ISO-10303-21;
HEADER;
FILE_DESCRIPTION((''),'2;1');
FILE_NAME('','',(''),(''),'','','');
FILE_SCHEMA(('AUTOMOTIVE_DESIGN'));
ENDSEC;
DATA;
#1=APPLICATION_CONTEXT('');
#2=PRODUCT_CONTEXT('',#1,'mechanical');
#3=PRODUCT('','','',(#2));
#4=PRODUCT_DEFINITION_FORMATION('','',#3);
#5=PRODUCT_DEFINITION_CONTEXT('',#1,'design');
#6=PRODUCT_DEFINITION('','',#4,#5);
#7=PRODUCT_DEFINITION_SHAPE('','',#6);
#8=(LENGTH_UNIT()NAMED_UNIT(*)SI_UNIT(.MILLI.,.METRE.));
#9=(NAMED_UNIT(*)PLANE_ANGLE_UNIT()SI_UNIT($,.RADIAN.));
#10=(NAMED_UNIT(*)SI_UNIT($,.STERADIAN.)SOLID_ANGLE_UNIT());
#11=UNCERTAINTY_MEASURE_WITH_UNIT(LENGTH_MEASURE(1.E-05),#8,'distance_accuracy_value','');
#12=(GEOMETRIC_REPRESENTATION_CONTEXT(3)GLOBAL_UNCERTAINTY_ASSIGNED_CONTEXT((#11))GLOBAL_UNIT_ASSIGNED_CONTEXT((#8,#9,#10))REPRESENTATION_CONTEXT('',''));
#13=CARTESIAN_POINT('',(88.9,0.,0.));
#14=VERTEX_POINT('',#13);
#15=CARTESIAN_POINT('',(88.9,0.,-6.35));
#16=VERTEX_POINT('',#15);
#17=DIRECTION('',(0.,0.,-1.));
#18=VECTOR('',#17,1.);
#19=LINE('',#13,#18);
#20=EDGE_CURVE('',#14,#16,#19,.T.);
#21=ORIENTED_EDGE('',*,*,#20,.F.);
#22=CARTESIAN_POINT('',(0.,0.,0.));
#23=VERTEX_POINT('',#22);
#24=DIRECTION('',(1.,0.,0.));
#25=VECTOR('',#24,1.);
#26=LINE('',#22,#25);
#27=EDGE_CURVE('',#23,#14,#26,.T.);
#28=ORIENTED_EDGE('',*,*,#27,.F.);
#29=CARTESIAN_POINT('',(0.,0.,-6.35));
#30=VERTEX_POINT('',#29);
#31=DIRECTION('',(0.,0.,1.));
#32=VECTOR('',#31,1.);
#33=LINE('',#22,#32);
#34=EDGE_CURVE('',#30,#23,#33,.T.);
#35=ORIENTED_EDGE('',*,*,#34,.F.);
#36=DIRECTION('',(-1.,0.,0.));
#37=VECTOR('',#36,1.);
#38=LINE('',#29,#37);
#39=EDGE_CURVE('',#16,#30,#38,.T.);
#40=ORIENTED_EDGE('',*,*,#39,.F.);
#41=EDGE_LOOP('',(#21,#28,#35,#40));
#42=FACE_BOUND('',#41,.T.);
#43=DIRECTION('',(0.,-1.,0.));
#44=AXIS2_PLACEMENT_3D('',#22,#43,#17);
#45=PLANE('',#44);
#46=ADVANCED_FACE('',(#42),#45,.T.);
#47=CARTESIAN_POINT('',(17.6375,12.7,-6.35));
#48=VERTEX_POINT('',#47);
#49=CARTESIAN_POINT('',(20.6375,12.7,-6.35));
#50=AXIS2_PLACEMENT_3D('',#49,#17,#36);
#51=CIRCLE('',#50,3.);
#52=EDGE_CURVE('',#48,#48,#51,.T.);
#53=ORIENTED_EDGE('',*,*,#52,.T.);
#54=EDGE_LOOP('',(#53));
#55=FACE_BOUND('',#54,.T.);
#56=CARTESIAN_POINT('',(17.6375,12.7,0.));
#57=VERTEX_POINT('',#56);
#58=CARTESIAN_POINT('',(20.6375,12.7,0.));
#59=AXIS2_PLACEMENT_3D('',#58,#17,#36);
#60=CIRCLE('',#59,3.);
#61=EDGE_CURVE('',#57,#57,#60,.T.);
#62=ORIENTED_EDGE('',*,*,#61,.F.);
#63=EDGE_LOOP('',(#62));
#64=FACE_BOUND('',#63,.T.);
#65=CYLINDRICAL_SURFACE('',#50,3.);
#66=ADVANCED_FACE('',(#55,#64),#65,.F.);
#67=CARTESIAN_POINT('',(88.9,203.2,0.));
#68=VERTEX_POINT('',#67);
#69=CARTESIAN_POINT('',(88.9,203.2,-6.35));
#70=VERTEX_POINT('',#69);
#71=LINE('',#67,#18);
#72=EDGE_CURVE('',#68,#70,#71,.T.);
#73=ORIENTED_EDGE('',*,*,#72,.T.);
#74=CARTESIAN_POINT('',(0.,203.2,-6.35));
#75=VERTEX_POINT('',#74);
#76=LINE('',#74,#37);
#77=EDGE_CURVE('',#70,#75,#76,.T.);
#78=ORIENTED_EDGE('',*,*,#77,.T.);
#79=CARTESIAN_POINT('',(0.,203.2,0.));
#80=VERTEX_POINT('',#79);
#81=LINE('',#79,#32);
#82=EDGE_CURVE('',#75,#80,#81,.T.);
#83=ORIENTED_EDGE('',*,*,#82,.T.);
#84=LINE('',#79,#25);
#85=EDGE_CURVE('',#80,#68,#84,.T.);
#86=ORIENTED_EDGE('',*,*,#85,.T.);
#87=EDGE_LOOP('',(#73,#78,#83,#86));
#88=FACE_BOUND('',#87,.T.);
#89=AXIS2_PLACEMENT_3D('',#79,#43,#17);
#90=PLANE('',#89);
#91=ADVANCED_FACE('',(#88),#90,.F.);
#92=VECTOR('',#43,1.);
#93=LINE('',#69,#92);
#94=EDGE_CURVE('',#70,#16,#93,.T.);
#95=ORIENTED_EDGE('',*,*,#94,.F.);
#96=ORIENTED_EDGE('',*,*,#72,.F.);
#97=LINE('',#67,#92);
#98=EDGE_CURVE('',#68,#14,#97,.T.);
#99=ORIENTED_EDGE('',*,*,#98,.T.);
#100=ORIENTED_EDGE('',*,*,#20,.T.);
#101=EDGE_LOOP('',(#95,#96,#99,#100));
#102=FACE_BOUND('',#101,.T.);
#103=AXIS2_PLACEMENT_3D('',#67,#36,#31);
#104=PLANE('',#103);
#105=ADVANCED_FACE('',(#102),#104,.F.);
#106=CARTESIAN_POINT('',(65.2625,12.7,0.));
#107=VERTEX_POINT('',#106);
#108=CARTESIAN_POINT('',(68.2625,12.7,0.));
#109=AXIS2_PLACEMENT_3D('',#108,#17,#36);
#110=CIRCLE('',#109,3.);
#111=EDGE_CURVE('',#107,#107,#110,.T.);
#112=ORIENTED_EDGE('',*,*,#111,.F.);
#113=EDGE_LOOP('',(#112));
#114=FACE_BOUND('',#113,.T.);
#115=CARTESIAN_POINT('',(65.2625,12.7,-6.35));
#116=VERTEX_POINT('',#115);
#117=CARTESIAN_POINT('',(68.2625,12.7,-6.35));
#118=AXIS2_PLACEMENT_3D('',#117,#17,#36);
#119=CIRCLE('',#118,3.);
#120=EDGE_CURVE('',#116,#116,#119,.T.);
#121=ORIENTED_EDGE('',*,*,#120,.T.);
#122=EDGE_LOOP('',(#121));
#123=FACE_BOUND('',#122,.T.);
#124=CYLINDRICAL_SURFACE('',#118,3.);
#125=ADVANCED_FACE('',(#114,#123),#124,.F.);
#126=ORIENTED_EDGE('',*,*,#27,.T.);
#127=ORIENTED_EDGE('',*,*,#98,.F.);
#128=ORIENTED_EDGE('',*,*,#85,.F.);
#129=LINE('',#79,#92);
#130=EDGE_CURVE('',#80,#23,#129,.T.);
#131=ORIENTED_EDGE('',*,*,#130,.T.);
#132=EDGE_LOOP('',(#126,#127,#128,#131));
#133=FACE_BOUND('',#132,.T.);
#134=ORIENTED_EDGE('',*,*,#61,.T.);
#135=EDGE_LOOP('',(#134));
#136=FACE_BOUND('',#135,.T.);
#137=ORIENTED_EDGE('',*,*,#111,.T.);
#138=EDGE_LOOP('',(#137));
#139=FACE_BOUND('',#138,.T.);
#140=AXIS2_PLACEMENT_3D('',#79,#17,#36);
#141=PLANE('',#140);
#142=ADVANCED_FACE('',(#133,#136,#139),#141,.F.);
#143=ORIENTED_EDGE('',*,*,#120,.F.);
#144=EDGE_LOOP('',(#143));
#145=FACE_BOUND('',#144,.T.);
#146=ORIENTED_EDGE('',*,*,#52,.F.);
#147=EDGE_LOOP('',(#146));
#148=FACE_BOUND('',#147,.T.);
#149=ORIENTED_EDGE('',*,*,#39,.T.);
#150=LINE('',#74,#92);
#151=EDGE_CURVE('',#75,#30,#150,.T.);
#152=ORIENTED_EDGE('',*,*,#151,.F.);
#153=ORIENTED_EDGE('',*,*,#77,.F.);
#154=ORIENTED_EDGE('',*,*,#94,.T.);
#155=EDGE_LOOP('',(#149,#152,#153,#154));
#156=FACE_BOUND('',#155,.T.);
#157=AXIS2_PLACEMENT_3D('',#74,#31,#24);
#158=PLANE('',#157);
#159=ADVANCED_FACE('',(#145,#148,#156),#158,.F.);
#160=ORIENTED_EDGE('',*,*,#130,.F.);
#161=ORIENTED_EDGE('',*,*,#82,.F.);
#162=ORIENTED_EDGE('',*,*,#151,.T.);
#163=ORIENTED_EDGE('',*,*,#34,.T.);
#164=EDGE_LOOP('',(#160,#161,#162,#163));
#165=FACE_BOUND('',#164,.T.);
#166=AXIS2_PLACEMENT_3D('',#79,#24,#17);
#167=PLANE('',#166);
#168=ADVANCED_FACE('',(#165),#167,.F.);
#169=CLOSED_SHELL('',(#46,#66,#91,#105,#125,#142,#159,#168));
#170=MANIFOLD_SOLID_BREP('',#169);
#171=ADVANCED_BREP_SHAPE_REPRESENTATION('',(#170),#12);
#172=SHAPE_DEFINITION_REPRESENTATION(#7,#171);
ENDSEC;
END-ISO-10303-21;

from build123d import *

# Parameters (mm, degrees)
SKETCH1_W                    = 88.9
SKETCH1_H                    = 6.35
BOSS_EXTRUDE1_DEPTH          = 203.2
F_6_0_6_DIAMETER_HOLE1_D     = 6
F_6_0_6_DIAMETER_HOLE1_DEPTH = 6.35


with BuildPart() as part:
    # Sketch1 → Boss-Extrude1 (new body)
    with BuildSketch(Plane(origin=(0, 0, 0), x_dir=(1, 0, 0), z_dir=(0, 1, 0))):
        with Locations((44.45, 3.175)):
            Rectangle(SKETCH1_W, SKETCH1_H)
    extrude(amount=BOSS_EXTRUDE1_DEPTH)

    # Ø6.0 (6) Diameter Hole1
    with Locations(Plane(origin=(0, 0, -6.35), x_dir=(-1, 0, 0), z_dir=(0, 0, -1))):
        with Locations((-20.6375, 12.7), (-68.2625, 12.7)):
            Hole(F_6_0_6_DIAMETER_HOLE1_D / 2, depth=F_6_0_6_DIAMETER_HOLE1_DEPTH)


solid = part.part
